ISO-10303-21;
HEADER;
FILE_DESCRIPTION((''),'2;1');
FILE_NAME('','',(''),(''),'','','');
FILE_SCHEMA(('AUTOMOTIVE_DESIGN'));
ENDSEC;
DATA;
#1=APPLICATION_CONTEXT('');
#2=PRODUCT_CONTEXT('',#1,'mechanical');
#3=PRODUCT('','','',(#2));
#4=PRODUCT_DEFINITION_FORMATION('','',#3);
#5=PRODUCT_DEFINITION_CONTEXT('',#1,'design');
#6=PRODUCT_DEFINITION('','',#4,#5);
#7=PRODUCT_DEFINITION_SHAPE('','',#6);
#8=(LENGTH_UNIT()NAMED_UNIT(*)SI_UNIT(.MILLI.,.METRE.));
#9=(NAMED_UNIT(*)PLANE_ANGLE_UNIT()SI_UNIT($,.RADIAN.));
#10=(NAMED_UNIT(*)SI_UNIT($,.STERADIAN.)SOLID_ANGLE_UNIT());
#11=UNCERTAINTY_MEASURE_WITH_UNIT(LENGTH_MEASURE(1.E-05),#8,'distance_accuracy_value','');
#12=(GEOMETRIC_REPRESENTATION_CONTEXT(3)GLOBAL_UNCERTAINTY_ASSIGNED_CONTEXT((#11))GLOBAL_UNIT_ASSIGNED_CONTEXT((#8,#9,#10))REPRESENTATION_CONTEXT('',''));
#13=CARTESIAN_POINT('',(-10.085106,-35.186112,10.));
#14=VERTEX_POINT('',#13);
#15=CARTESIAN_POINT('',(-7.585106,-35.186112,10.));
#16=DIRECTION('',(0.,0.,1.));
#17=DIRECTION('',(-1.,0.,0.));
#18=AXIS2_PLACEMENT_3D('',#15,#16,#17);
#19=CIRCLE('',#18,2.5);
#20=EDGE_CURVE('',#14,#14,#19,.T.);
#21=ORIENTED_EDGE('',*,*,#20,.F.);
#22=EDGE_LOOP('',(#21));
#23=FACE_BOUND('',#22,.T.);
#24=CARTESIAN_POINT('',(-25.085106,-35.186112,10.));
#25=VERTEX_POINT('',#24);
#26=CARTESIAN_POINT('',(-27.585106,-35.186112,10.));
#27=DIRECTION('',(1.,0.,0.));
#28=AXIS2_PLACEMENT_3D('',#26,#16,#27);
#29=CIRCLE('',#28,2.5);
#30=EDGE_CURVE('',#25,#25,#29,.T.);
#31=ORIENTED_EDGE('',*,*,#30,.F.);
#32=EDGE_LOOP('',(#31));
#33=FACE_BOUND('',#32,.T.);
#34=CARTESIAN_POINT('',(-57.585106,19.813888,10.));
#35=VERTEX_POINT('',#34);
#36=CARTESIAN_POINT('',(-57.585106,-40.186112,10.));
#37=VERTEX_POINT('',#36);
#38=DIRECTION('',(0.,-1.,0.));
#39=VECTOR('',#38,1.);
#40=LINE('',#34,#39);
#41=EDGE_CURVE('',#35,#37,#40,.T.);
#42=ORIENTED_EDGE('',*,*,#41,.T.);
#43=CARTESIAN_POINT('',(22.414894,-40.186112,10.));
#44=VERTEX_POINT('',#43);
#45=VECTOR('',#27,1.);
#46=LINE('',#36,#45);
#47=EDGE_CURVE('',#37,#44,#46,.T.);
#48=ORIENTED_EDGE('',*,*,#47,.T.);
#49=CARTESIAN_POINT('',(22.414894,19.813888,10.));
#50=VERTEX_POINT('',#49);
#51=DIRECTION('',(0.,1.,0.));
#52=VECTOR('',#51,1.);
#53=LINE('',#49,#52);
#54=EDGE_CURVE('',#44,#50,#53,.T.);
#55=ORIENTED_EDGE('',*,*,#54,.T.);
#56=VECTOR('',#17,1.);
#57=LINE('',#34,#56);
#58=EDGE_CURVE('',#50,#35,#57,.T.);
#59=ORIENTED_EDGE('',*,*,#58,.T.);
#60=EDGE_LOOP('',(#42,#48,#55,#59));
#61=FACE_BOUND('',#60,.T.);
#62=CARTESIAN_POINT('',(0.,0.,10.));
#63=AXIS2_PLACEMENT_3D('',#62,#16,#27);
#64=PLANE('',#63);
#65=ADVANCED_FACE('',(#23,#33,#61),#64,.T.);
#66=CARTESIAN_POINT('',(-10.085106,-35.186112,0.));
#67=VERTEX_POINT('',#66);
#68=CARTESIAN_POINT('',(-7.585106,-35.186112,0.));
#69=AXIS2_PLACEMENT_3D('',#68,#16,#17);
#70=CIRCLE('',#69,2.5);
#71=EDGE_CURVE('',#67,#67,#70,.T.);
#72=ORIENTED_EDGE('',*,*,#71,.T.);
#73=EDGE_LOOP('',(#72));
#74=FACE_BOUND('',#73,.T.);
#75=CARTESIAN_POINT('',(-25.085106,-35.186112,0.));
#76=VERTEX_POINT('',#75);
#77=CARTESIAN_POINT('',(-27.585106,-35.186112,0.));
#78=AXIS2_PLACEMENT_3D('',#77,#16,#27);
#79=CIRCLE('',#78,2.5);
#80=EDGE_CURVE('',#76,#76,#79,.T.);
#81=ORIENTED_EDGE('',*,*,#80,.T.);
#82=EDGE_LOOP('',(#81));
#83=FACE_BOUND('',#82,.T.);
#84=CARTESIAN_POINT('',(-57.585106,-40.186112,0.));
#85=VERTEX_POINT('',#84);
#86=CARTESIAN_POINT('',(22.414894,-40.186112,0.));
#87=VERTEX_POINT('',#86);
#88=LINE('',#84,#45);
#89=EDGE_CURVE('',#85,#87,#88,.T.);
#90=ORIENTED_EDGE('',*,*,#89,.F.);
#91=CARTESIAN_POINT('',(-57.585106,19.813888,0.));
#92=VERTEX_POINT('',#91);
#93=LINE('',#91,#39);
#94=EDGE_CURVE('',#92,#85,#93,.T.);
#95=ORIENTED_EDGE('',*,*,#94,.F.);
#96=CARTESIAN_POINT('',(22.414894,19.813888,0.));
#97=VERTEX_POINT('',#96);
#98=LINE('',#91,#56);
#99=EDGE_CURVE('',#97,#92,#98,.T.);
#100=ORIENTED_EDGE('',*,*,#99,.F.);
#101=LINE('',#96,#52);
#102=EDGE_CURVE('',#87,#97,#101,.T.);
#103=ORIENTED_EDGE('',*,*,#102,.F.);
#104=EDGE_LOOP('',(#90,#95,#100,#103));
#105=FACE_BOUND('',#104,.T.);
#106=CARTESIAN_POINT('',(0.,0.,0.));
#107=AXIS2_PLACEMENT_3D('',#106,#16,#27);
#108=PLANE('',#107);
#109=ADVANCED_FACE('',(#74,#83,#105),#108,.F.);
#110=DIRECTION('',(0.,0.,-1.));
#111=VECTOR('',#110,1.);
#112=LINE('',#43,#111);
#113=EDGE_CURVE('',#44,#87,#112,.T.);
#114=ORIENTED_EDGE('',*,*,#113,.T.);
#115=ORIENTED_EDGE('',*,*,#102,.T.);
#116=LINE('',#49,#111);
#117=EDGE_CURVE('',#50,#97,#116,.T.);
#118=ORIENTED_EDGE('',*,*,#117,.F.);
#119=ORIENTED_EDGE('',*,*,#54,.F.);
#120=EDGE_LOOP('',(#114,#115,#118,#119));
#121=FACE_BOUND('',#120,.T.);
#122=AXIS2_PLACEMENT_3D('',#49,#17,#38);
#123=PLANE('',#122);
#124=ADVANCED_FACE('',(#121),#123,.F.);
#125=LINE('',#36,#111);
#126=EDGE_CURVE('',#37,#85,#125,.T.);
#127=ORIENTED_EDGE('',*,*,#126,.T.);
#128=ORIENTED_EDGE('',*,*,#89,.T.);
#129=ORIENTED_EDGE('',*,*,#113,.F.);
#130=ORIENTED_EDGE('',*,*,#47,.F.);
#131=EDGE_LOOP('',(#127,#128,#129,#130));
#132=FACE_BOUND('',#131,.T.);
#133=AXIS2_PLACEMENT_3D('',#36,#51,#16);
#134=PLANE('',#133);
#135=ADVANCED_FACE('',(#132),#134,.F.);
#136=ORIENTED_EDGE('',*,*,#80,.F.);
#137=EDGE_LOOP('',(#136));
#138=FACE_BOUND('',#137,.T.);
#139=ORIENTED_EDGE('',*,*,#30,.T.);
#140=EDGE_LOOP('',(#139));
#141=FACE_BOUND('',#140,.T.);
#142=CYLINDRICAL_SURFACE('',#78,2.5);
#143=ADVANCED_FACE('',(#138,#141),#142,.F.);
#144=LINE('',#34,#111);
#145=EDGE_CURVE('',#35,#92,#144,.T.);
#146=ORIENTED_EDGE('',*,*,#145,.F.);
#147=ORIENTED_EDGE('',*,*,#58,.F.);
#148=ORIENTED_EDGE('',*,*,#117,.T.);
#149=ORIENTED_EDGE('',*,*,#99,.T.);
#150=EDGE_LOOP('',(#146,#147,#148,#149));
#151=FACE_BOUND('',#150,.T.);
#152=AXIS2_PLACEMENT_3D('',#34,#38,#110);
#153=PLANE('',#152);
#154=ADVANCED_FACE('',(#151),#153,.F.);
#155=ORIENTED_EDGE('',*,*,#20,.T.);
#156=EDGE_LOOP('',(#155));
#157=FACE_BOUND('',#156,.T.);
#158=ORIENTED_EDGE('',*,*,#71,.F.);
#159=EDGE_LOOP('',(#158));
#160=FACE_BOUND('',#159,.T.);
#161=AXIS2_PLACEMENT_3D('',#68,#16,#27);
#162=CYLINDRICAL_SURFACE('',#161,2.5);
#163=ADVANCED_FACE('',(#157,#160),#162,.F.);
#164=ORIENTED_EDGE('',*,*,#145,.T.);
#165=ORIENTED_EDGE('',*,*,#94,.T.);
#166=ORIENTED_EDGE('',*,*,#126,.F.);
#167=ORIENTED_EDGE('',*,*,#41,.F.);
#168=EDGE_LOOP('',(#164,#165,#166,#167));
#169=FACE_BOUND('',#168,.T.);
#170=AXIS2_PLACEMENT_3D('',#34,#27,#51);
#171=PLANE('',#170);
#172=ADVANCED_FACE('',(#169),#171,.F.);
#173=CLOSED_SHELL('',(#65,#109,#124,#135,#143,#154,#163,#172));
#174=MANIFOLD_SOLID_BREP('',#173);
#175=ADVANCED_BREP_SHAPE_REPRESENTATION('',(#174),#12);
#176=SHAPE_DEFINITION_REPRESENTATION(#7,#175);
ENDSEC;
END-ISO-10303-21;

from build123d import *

# Parameters (mm, degrees)
SKETCH1_W           = 80
SKETCH1_H           = 60
BOSS_EXTRUDE1_DEPTH = 10
SKETCH2_R           = 2.5
CUT_EXTRUDE1_DEPTH  = 10


with BuildPart() as part:
    # Sketch1 → Boss-Extrude1 (new body)
    with BuildSketch(Plane.XY):
        with Locations((-17.585106489, -10.186111626)):
            Rectangle(SKETCH1_W, SKETCH1_H)
    extrude(amount=BOSS_EXTRUDE1_DEPTH)

    # Sketch2 → Cut-Extrude1 (cut)
    with BuildSketch(Plane.XY.offset(10)):
        with Locations((-27.585106489, -35.186111626)):
            Circle(SKETCH2_R)
        with Locations(Location((-7.585106489, -35.186111626, 0), (0, 0, 180))):
            Circle(SKETCH2_R)
    extrude(amount=-CUT_EXTRUDE1_DEPTH, mode=Mode.SUBTRACT)


solid = part.part
